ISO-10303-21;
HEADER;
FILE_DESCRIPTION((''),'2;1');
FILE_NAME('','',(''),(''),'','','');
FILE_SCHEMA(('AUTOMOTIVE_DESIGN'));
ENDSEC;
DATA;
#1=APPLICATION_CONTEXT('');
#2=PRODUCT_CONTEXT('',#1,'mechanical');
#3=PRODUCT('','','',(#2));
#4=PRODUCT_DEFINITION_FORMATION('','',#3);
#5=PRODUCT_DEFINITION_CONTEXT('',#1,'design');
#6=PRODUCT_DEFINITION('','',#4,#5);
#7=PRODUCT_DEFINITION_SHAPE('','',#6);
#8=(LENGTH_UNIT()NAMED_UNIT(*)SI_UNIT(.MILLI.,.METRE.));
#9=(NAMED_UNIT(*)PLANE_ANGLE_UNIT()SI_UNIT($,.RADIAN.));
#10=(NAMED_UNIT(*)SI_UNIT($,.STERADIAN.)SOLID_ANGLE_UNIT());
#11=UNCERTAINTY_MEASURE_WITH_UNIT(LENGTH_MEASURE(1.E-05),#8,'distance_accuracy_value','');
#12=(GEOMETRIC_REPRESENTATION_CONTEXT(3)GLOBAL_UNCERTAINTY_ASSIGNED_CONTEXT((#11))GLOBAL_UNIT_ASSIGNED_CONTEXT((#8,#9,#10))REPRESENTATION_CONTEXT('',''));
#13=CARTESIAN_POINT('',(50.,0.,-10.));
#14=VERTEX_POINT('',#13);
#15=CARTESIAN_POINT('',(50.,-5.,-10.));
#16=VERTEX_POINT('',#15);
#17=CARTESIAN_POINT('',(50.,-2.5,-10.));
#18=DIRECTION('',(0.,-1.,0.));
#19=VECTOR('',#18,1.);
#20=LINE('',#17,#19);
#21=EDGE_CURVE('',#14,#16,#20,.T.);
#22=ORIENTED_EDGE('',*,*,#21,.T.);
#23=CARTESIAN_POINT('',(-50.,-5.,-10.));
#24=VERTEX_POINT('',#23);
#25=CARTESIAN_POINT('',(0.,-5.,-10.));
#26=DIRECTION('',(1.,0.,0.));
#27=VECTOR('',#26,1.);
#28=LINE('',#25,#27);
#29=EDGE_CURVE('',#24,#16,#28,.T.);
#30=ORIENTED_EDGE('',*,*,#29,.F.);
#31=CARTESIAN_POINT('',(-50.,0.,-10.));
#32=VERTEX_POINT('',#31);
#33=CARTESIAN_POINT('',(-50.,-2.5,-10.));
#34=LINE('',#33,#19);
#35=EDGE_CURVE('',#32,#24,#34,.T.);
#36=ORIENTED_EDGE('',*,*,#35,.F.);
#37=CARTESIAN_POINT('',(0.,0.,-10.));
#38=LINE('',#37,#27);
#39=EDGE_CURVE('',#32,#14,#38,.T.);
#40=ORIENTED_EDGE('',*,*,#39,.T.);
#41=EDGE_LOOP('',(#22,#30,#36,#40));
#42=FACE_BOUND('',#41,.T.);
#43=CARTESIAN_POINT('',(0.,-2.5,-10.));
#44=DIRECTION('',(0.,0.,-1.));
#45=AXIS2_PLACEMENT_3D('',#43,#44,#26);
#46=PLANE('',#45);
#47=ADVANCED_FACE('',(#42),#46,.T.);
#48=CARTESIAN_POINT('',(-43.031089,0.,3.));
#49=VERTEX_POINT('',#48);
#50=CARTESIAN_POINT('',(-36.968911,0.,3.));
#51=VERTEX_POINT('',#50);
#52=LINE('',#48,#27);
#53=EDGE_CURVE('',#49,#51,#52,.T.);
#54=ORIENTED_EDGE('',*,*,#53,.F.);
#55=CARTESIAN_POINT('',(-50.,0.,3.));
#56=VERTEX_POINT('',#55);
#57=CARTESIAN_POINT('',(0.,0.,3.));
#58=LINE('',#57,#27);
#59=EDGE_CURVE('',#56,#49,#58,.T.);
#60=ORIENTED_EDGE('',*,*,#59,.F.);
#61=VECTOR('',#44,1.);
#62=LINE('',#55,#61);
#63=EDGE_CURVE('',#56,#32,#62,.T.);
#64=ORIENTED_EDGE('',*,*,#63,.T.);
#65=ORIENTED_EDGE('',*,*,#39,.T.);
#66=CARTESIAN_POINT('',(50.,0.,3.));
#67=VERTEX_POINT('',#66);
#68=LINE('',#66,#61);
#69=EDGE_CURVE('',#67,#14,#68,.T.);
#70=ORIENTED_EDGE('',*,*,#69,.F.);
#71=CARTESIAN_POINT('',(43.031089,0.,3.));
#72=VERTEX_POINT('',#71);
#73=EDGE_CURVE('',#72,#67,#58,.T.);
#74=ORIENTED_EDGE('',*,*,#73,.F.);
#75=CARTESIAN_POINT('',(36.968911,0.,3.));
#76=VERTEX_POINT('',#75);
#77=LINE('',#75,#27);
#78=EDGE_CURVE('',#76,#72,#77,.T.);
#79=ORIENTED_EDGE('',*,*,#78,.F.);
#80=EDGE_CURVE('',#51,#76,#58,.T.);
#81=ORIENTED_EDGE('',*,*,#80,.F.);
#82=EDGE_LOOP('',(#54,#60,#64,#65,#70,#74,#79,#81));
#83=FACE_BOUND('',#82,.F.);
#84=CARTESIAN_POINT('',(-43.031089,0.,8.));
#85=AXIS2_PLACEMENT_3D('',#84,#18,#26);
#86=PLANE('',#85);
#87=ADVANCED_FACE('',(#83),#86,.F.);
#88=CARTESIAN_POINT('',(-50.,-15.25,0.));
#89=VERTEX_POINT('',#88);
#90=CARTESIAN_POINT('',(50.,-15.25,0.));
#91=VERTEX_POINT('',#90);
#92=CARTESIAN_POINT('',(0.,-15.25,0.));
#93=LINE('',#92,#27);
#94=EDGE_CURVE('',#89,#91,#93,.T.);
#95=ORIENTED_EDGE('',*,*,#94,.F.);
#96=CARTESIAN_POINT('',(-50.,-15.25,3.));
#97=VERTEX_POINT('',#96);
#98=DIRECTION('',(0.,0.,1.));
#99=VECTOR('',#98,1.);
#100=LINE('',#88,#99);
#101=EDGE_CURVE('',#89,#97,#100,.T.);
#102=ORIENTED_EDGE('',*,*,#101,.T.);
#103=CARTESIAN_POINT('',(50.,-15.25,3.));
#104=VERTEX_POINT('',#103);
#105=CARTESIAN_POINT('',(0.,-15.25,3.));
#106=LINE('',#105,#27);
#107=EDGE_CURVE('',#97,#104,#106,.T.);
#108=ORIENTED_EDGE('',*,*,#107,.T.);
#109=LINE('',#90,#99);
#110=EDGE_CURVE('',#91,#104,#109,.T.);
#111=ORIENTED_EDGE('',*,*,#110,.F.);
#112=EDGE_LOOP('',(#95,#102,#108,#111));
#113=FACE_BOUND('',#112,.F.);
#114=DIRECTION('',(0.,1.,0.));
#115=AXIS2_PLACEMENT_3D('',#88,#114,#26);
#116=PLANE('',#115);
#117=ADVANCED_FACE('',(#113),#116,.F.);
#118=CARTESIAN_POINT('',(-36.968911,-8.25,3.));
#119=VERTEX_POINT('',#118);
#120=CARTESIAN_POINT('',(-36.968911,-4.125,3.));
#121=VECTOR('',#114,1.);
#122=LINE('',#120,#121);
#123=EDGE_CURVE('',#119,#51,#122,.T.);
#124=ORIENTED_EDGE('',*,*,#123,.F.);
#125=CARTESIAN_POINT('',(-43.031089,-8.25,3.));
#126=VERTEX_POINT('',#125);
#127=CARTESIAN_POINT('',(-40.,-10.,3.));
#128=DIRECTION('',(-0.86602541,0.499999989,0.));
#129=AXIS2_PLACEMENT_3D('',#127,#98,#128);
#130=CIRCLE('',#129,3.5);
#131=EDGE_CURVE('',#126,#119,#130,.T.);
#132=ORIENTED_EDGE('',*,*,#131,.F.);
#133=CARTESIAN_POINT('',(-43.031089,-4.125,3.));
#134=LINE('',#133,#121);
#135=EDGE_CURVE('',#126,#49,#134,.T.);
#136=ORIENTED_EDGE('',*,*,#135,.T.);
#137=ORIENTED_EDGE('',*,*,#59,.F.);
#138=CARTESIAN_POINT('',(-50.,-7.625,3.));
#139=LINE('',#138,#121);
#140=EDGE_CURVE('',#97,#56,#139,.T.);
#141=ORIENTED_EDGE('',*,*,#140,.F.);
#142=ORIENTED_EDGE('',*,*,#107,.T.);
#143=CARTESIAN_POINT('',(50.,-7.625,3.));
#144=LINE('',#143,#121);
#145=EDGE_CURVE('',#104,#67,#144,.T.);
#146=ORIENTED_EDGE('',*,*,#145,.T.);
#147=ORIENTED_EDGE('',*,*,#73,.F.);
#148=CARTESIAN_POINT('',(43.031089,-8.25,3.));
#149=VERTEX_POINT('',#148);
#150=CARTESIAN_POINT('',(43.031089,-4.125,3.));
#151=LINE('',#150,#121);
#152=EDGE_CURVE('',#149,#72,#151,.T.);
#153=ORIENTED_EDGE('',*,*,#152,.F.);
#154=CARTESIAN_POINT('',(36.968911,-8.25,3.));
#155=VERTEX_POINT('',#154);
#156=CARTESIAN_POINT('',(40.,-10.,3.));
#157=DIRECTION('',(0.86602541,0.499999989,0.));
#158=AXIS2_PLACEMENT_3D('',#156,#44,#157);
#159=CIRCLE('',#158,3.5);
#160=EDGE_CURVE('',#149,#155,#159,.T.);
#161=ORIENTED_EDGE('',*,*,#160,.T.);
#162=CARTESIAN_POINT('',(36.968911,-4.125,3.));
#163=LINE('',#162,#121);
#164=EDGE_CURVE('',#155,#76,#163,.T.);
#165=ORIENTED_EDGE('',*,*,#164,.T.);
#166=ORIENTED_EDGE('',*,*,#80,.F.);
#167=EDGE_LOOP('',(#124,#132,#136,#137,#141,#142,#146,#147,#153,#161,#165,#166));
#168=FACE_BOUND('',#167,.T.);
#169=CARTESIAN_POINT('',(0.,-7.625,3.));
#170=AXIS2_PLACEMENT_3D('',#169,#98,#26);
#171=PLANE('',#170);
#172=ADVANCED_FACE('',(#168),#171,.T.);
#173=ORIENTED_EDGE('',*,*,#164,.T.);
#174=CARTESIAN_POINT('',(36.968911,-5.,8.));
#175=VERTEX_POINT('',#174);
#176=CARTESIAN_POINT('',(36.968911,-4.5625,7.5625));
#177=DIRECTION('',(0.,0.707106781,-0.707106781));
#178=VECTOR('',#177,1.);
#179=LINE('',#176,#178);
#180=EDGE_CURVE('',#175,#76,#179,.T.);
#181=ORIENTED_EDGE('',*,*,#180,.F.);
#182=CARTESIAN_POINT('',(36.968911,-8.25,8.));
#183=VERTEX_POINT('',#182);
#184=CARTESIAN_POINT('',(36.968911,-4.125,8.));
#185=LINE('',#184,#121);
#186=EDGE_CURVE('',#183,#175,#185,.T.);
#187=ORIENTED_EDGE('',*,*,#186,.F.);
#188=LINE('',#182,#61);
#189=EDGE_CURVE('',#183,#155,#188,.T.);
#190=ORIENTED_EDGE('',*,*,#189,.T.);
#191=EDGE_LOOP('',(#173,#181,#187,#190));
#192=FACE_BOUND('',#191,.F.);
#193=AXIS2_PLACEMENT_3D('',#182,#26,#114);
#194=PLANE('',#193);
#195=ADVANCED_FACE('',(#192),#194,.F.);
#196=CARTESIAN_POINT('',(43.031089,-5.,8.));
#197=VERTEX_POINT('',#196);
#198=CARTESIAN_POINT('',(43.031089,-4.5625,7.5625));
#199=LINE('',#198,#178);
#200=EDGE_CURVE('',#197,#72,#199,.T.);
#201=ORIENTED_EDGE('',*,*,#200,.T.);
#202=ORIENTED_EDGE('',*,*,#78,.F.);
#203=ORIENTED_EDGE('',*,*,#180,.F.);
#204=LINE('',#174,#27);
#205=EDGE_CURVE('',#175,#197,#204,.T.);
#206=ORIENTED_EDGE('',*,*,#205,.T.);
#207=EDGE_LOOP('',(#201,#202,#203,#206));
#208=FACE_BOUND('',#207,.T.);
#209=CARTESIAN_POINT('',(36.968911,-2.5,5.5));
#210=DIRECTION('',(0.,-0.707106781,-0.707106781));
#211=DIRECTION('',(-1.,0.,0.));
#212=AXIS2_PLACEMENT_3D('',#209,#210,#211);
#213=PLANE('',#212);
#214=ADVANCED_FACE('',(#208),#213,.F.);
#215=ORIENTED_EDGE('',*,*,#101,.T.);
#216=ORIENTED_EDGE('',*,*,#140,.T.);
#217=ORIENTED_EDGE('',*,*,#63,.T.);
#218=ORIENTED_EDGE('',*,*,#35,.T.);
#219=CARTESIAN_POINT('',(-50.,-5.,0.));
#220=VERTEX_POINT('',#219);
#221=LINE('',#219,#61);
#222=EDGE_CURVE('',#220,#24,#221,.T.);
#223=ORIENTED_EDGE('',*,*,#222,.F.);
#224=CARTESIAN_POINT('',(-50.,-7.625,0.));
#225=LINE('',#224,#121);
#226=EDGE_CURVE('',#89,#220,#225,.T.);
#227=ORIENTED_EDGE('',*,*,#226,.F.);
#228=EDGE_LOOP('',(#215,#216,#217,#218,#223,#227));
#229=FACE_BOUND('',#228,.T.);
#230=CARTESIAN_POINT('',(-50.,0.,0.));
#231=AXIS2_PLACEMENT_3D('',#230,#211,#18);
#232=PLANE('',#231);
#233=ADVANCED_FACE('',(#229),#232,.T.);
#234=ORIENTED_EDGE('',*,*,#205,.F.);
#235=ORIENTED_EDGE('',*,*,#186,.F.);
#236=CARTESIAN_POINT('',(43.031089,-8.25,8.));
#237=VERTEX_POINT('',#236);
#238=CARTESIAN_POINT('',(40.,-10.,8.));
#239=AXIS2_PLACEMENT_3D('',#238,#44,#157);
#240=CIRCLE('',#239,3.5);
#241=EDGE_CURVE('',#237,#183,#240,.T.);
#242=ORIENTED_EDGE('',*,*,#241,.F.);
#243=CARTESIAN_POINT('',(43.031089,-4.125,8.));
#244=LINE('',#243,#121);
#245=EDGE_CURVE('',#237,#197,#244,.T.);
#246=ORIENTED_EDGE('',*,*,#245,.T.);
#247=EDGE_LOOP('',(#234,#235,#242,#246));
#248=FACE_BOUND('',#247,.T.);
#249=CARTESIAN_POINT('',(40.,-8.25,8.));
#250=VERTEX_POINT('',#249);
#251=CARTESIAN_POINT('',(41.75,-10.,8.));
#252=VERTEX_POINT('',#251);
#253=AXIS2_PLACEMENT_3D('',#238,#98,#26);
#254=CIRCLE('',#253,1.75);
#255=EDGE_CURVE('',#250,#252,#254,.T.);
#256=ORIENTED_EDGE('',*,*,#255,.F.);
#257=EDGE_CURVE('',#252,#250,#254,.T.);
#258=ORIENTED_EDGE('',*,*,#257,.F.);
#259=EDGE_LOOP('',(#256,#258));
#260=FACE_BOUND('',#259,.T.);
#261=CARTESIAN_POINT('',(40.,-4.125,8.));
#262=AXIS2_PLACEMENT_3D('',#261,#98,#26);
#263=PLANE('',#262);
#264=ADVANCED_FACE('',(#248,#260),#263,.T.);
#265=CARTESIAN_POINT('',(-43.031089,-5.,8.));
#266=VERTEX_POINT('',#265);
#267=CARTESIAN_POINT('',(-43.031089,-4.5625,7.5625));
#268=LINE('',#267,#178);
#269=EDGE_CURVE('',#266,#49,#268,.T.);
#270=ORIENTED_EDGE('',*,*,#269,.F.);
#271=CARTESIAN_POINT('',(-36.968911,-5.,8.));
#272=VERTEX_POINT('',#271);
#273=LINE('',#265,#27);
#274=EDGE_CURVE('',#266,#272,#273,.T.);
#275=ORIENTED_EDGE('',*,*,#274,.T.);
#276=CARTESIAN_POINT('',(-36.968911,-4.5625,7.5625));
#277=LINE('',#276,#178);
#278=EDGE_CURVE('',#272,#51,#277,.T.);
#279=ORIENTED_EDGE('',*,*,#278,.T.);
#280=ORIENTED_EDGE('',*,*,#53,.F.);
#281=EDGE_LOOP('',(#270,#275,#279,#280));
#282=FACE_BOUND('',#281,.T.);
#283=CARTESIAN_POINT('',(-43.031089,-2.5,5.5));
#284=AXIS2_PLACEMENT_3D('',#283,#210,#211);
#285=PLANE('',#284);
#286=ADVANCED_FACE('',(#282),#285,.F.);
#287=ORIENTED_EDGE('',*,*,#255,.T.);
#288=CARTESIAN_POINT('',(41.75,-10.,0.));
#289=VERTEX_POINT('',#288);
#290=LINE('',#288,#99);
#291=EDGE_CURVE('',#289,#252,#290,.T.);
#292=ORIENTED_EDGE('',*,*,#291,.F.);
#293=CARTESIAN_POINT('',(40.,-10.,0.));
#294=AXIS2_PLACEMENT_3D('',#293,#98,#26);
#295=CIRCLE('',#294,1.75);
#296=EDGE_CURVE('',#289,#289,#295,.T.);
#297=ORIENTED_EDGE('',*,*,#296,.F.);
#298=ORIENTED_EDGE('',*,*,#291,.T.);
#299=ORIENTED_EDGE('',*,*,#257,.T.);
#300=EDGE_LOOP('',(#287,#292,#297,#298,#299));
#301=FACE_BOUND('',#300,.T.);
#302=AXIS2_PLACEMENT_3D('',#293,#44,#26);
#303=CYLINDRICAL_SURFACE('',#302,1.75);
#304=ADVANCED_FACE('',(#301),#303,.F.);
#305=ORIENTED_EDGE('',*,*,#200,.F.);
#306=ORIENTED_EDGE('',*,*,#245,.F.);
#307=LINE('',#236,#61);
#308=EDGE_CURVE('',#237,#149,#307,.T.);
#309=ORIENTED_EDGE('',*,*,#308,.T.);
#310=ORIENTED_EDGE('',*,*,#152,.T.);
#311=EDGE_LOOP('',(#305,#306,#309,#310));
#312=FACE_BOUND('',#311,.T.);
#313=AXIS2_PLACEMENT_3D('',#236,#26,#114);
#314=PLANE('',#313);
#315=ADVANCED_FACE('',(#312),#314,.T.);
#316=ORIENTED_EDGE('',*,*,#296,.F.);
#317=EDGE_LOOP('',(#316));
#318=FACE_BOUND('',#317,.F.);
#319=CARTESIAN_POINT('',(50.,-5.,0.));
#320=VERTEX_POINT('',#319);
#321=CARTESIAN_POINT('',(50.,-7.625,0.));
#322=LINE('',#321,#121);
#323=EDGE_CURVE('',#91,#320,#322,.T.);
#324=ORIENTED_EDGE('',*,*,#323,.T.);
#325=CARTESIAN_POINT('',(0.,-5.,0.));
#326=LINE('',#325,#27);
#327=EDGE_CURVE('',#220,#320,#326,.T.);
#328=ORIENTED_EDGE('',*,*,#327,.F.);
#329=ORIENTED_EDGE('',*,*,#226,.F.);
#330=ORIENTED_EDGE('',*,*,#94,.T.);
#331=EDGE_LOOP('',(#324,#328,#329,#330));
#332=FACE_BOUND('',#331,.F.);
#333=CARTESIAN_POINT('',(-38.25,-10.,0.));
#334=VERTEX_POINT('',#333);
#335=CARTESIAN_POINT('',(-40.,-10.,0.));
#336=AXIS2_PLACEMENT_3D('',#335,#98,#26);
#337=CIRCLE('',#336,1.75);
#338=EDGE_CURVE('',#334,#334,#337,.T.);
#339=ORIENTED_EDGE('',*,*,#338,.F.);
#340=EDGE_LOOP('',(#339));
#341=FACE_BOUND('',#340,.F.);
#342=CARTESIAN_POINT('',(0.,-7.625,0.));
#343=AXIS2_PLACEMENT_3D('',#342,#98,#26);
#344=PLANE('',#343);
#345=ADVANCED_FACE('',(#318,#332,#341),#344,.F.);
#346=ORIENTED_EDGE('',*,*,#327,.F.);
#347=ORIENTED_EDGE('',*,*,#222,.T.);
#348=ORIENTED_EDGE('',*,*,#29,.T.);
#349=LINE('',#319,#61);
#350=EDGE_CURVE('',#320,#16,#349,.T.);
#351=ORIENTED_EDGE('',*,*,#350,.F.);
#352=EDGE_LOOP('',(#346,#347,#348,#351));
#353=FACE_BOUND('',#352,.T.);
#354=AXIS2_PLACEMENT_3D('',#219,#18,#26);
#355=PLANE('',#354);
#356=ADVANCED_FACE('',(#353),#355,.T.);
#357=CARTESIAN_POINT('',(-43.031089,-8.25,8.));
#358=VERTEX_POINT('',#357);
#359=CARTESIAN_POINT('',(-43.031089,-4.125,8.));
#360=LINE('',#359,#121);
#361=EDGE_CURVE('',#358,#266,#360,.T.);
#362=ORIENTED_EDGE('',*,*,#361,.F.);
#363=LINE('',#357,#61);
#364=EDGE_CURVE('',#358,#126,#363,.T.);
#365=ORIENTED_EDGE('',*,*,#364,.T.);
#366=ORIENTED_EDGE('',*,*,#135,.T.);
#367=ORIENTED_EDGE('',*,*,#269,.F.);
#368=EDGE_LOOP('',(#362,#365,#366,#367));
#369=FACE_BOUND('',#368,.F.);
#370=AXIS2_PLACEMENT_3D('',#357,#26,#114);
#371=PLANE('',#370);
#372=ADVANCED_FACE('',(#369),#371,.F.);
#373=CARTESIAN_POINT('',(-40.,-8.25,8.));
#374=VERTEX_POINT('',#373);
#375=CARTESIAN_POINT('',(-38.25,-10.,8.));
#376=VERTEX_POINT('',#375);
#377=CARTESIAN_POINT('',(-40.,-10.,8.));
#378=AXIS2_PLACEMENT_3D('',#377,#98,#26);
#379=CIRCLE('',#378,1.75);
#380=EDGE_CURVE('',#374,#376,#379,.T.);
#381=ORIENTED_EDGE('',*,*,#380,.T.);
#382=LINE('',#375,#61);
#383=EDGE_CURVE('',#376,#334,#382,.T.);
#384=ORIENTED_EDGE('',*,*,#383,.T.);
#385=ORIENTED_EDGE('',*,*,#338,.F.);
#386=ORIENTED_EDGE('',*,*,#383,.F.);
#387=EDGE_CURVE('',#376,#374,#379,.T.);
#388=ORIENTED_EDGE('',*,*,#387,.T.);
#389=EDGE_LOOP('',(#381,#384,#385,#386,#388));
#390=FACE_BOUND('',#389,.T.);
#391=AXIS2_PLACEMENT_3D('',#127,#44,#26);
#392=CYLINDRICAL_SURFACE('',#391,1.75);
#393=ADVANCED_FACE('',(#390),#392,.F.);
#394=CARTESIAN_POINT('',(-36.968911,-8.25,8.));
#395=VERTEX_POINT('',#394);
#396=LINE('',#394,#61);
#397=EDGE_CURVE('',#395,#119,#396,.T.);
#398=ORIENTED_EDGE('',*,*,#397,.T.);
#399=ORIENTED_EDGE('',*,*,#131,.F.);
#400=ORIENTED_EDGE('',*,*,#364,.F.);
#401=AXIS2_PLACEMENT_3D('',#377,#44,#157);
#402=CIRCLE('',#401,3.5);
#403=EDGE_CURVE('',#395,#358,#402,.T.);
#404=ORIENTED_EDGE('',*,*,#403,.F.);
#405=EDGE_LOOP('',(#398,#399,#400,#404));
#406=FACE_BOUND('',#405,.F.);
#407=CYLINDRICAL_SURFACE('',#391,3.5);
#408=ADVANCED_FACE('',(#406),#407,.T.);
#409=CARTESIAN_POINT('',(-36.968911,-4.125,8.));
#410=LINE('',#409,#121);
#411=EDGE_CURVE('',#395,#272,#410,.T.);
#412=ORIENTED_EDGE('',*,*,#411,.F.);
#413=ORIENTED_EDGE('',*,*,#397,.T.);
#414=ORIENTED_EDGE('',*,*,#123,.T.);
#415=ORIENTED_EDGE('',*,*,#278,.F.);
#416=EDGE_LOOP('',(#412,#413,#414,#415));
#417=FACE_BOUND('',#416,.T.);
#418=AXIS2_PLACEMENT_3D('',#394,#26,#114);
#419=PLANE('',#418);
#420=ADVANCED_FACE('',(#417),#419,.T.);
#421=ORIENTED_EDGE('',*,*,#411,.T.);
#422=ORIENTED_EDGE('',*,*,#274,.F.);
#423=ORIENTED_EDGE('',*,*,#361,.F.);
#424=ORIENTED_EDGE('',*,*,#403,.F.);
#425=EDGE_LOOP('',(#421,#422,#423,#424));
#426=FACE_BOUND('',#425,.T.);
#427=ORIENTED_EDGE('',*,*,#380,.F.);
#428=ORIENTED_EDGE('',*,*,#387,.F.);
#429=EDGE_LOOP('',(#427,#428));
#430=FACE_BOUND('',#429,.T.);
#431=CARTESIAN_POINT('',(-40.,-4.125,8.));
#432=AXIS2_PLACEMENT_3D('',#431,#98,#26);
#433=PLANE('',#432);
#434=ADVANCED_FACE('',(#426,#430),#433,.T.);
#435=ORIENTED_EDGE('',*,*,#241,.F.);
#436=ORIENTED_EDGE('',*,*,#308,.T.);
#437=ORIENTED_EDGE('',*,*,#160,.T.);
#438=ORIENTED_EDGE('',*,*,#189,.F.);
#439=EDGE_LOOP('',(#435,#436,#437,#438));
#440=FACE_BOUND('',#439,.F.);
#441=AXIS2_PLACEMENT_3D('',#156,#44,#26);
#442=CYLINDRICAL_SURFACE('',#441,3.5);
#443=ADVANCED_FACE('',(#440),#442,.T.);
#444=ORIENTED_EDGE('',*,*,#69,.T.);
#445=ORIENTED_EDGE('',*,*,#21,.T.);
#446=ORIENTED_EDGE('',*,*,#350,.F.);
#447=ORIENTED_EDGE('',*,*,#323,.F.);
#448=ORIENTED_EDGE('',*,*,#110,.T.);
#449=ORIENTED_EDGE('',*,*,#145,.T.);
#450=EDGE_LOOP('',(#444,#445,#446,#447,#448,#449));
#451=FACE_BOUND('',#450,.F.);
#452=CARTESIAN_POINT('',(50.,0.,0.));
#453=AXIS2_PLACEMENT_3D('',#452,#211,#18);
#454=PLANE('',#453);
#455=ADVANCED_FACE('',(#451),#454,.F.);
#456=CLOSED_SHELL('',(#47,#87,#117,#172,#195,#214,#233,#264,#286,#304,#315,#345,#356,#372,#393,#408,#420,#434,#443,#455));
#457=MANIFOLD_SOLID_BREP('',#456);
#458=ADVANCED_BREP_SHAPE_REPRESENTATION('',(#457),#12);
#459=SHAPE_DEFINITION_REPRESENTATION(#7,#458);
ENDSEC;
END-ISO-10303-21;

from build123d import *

# Parameters (mm, degrees)
SKETCH_W      = 100
SKETCH_H      = 15.25
SKETCH_R      = 1.75
PAD_DEPTH     = 3
SKETCH001_W   = 100
SKETCH001_H   = 5
PAD001_DEPTH  = 10
SKETCH002_R   = 3.5
SKETCH002_R_2 = 1.75
PAD002_DEPTH  = 5
SKETCH003_W   = 6.062178
SKETCH003_H   = 8.25
PAD003_DEPTH  = 5
CHAMFER_SIZE  = 5


with BuildPart() as part:
    # Sketch → Pad (new body)
    with BuildSketch(Plane.XY):
        with Locations((0, -7.625)):
            Rectangle(SKETCH_W, SKETCH_H)
        with Locations((-40, -10)):
            Circle(SKETCH_R, mode=Mode.SUBTRACT)
        with Locations((40, -10)):
            Circle(SKETCH_R, mode=Mode.SUBTRACT)
    extrude(amount=PAD_DEPTH)

    # Sketch001 (on Face7 of Pad) → Pad001 (join)
    with BuildSketch(Plane(origin=(0, 0, 0), x_dir=(1, 0, 0), z_dir=(0, 0, -1))):
        with Locations((0, 2.5)):
            Rectangle(SKETCH001_W, SKETCH001_H)
    extrude(amount=PAD001_DEPTH)

    # Sketch002 (on Face5 of Pad001) → Pad002 (join)
    with BuildSketch(Plane.XY.offset(3)):
        with Locations((-40, -10)):
            Circle(SKETCH002_R)
        with Locations((-40, -10)):
            Circle(SKETCH002_R_2, mode=Mode.SUBTRACT)
        with Locations((40, -10)):
            Circle(SKETCH002_R)
        with Locations((40, -10)):
            Circle(SKETCH002_R_2, mode=Mode.SUBTRACT)
    extrude(amount=PAD002_DEPTH)

    # Sketch003 (on Face17 of Pad002) → Pad003 (join)
    with BuildSketch(Plane.XY.offset(8)):
        with Locations((-40, -4.125)):
            Rectangle(SKETCH003_W, SKETCH003_H)
        with Locations((40, -4.125)):
            Rectangle(SKETCH003_W, SKETCH003_H)
    extrude(amount=-PAD003_DEPTH)

    # Chamfer
    chamfer_edges = [part.edges().sort_by_distance(p)[0] for p in [
        (-40, 0, 8),
        (40, 0, 8),
    ]]
    chamfer(chamfer_edges, length=CHAMFER_SIZE)


solid = part.part
